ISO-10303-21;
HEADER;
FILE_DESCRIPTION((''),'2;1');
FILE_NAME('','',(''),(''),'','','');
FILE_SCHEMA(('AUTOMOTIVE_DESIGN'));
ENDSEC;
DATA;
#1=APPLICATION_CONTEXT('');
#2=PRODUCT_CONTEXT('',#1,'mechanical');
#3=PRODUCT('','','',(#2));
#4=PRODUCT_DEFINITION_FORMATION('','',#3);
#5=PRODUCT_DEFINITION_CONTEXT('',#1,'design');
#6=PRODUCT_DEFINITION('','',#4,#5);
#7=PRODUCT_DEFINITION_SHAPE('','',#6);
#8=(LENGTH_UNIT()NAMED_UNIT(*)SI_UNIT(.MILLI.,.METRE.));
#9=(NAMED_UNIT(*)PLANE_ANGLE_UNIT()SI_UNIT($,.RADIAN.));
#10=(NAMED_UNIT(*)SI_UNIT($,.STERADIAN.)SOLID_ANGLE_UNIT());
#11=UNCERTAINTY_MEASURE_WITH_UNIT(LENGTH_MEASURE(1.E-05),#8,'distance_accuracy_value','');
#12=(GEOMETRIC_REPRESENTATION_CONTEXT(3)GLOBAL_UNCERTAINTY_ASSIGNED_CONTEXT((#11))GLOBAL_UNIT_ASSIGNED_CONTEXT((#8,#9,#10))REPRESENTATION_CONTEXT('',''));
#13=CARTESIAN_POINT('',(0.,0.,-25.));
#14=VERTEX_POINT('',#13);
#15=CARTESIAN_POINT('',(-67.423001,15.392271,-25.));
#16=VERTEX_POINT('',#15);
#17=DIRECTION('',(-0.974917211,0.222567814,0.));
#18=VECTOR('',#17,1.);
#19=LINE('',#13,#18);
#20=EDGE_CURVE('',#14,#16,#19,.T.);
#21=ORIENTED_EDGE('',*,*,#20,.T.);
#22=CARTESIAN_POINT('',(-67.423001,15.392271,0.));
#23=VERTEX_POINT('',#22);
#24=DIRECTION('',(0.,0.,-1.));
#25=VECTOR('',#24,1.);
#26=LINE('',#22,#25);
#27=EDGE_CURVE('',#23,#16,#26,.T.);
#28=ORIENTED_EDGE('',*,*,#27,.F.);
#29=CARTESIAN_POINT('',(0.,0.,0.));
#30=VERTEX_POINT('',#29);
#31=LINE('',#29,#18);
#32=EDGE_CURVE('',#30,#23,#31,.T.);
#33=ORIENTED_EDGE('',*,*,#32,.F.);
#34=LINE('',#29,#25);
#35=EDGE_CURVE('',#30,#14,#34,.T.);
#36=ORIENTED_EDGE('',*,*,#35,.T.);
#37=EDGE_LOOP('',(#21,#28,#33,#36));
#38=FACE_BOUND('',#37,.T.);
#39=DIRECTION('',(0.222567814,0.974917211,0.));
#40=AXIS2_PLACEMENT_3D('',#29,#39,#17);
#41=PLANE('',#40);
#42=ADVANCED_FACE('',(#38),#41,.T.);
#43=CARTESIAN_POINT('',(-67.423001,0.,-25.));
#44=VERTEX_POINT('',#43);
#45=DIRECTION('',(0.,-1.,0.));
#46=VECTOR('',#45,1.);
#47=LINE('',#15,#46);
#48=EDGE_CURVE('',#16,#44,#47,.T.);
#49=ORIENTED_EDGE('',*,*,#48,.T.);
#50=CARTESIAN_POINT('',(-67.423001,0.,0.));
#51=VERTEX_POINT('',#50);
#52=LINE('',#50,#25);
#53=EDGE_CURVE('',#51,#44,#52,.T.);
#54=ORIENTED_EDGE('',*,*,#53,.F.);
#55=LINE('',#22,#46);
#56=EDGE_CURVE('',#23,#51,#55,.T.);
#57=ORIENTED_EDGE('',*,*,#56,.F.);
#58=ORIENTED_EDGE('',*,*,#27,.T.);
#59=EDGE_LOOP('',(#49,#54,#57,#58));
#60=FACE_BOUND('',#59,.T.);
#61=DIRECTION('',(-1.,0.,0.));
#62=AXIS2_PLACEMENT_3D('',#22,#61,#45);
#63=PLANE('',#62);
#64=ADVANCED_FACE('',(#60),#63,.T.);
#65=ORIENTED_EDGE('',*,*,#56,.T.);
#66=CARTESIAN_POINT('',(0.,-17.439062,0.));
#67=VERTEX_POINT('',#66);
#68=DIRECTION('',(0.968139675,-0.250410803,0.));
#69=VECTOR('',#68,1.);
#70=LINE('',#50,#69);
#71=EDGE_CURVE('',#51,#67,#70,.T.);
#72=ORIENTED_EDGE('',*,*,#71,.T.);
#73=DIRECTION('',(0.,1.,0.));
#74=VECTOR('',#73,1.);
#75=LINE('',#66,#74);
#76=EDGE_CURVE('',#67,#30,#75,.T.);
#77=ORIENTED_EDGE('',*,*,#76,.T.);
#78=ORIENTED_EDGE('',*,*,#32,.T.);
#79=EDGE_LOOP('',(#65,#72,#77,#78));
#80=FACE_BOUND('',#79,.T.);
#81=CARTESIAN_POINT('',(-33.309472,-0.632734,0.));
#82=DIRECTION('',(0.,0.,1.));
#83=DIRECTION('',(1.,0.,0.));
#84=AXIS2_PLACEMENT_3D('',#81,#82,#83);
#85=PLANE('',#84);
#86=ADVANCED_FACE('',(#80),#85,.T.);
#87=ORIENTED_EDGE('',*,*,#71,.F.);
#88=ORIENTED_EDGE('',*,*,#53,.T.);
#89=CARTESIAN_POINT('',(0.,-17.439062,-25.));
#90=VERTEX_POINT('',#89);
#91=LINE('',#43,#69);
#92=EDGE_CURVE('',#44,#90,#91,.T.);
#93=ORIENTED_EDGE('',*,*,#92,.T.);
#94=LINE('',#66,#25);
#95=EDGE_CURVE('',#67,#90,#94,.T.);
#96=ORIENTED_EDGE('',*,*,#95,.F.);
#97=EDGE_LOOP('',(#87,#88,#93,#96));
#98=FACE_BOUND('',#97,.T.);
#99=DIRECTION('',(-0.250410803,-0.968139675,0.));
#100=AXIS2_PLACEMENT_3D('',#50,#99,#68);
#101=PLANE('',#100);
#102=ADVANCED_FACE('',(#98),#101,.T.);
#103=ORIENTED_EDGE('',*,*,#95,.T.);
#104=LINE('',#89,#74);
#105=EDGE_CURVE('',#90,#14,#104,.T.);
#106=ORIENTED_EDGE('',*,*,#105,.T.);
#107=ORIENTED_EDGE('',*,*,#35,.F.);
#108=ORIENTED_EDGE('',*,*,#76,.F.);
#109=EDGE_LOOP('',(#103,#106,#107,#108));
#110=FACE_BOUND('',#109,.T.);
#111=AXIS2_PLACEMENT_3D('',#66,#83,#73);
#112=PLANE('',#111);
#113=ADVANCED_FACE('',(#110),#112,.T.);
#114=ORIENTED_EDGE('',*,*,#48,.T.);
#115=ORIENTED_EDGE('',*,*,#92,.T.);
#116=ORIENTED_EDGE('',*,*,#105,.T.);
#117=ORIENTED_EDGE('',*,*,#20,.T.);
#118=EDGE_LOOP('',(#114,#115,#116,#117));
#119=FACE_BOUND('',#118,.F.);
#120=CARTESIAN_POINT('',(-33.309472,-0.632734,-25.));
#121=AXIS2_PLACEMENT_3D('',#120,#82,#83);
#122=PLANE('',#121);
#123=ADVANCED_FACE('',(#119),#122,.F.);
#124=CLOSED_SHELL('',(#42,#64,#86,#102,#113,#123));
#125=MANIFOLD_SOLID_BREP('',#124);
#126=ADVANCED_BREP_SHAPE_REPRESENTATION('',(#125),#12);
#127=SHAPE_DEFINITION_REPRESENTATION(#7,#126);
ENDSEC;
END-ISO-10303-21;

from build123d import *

# Parameters (mm, degrees)
F1_DEPTH = 25


with BuildPart() as f1:
    # F0 (on Top) → F1 (new body)
    with BuildSketch(Plane.XY):
        Polygon((0, -17.439062), (0, 0), (-67.423001, 15.392271), (-67.423001, 0), align=None)
    extrude(amount=-F1_DEPTH)


solid = f1.part
